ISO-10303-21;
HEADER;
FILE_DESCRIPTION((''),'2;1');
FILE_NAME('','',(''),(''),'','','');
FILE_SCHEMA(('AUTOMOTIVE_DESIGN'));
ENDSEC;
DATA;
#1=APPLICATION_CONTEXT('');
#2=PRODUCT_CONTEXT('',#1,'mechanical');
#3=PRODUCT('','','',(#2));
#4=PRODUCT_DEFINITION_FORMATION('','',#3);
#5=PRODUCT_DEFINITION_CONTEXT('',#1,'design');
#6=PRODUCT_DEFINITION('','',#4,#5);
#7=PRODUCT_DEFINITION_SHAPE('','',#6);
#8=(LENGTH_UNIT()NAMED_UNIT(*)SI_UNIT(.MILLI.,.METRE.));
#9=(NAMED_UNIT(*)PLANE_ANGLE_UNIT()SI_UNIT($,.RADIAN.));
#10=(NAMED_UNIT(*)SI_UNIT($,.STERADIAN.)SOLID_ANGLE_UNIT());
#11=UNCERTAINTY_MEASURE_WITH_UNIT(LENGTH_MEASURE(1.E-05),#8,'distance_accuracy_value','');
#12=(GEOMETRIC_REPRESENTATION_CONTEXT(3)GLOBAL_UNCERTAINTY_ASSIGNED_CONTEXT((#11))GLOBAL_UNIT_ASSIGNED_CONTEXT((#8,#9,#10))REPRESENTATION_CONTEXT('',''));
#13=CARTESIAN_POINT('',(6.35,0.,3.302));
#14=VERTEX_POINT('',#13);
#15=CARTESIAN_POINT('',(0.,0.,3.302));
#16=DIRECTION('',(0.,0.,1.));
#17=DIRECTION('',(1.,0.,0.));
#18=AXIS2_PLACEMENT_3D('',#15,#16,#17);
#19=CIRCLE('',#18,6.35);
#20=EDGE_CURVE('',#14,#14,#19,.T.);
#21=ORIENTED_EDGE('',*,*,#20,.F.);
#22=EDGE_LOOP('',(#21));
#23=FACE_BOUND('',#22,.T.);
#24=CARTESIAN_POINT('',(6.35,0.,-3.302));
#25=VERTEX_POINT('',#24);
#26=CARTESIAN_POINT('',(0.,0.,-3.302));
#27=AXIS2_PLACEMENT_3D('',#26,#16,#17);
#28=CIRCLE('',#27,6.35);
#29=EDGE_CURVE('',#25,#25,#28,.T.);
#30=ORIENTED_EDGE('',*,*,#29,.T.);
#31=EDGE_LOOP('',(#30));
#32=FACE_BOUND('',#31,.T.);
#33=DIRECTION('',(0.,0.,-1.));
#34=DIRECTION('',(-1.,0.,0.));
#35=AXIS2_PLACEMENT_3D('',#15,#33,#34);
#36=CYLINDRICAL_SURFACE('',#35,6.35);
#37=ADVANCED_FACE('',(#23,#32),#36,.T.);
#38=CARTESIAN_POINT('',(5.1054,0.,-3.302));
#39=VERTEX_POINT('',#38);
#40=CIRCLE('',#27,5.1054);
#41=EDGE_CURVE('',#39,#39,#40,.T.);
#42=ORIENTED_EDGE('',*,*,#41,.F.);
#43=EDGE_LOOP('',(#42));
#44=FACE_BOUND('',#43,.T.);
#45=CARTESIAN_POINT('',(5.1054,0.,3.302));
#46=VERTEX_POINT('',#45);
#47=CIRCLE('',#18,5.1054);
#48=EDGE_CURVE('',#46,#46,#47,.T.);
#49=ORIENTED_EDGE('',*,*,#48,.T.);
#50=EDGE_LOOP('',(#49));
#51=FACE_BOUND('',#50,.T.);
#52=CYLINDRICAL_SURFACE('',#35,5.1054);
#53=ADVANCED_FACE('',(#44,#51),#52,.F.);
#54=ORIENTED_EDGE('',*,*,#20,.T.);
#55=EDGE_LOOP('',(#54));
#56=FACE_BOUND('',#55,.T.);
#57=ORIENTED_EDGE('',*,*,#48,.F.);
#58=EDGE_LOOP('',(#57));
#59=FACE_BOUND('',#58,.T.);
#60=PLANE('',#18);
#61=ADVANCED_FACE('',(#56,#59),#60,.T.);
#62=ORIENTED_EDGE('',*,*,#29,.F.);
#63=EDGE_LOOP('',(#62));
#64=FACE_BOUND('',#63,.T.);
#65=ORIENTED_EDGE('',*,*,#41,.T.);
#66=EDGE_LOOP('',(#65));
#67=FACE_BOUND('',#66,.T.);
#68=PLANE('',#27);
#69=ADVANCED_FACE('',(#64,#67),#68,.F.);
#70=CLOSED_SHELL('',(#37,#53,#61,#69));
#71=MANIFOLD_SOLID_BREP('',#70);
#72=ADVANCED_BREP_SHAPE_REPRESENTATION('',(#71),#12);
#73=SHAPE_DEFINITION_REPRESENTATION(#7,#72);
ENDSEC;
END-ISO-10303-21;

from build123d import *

# Parameters (mm, degrees)
SKETCH3_R                = 6.35
SKETCH3_R_2              = 5.1054
BOSS_EXTRUDE1_DEPTH      = 3.302
BOSS_EXTRUDE1_DEPTH_BACK = 3.302


with BuildPart() as part:
    # Sketch3 → Boss-Extrude1 (new body, two sides)
    with BuildSketch(Plane.XY) as boss_extrude1_sk:
        Circle(SKETCH3_R)
        Circle(SKETCH3_R_2, mode=Mode.SUBTRACT)
    extrude(amount=BOSS_EXTRUDE1_DEPTH)
    extrude(boss_extrude1_sk.sketch, amount=-BOSS_EXTRUDE1_DEPTH_BACK)


solid = part.part
